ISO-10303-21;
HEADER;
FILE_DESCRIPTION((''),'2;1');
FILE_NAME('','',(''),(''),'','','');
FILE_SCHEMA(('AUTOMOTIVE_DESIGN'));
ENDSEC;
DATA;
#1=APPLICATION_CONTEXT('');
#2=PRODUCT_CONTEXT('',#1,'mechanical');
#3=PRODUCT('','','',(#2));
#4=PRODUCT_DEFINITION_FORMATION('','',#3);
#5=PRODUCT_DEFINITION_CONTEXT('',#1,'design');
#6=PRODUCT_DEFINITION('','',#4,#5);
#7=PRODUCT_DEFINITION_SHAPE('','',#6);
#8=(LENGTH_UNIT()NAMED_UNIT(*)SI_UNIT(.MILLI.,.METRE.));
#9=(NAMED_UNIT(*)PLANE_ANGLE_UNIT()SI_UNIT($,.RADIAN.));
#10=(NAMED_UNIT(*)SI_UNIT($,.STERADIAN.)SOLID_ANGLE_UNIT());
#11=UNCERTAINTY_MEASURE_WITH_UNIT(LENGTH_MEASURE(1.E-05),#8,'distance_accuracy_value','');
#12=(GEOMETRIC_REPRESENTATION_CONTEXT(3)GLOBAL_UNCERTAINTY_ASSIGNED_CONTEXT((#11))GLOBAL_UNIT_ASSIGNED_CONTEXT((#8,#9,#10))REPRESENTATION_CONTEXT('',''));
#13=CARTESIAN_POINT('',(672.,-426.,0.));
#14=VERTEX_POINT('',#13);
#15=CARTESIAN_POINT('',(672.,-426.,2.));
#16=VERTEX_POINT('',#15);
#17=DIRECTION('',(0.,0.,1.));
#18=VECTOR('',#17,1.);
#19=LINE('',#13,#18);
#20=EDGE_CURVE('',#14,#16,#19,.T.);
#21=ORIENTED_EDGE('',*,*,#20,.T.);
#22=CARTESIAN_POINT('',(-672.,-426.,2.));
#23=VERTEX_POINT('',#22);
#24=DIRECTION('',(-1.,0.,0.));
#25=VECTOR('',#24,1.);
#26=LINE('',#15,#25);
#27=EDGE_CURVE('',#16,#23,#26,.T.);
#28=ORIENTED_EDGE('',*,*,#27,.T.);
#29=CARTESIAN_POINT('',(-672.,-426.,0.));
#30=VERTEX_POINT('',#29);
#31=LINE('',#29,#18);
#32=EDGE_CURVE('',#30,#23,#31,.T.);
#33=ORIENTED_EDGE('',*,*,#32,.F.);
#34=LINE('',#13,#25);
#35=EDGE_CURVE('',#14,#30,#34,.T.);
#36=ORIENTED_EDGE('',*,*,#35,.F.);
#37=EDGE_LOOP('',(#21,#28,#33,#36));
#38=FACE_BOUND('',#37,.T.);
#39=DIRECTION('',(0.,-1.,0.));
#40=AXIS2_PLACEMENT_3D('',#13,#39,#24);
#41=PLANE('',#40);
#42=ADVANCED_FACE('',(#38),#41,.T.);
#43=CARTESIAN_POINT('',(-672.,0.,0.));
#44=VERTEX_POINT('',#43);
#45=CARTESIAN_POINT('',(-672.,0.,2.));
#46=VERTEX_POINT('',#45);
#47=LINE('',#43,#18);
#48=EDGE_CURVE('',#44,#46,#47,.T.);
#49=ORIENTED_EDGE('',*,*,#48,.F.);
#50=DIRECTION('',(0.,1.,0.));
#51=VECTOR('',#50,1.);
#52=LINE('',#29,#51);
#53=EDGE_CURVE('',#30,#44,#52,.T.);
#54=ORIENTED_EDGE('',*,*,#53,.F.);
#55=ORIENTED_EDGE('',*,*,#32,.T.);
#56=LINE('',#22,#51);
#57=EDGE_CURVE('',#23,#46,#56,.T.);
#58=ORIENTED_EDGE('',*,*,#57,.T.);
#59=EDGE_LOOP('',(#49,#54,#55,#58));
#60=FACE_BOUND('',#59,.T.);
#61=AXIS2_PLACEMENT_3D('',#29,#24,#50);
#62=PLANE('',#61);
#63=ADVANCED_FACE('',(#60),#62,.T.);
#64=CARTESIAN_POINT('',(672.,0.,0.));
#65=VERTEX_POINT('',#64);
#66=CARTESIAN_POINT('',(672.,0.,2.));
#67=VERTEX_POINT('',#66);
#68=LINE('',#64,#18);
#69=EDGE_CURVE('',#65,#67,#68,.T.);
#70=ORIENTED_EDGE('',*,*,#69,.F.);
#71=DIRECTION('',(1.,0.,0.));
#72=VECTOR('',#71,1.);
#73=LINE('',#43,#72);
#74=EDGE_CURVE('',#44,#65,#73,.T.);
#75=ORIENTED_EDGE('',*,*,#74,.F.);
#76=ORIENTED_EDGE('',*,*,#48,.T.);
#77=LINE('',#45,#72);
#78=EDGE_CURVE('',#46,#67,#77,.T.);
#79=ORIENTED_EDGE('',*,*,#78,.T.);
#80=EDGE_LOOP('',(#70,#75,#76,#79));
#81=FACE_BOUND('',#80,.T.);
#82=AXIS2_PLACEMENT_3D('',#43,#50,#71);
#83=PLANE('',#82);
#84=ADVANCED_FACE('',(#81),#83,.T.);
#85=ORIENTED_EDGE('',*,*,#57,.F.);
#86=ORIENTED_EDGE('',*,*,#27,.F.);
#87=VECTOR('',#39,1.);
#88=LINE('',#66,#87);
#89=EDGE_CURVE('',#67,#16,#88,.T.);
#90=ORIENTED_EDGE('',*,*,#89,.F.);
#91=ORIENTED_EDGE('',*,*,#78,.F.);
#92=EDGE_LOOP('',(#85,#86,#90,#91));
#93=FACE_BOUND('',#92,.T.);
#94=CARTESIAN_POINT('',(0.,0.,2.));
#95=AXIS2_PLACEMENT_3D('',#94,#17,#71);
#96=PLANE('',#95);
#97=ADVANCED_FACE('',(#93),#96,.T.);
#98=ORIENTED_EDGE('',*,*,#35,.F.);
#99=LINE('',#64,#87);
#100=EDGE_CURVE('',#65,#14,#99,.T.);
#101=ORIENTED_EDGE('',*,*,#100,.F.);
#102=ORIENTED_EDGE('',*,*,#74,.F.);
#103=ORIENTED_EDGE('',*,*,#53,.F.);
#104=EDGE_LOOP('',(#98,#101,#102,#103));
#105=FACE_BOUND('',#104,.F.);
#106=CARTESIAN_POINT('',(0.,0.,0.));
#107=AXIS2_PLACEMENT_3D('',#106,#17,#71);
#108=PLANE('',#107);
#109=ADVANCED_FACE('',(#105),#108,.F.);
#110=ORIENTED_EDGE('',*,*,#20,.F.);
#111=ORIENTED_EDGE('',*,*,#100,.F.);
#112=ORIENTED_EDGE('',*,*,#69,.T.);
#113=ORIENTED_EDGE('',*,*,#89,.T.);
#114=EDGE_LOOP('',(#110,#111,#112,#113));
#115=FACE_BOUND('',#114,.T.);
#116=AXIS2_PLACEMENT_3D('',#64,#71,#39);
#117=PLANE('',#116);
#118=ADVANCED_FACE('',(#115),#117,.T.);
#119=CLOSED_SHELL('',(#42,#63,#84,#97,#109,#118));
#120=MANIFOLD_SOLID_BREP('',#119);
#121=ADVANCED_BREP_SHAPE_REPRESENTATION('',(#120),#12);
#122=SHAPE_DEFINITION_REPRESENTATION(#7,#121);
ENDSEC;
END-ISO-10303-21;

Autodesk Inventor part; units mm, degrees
ref_plane "YZ Plane" through (0, 0, 0) normal (1, 0, 0) x (0, 1, 0)
ref_plane "XZ Plane" through (0, 0, 0) normal (0, 1, 0) x (-1, 0, 0)
ref_plane "XY Plane" through (0, 0, 0) normal (0, 0, 1) x (1, 0, 0)
sketch "Sketch1" plane through (0, 0, 0) normal (0, 0, 1) x (1, 0, 0)
  line L0 (-672, 0) -> (672, 0)
  line L1 (672, 0) -> (672, -426)
  line L2 (672, -426) -> (-672, -426)
  line L3 (-672, -426) -> (-672, 0)
  point P0 (0, 0)
  point P1 (0, 0)
  dimension "d0" = 1344
  dimension "d1" = 426
extrude "Plate1" add sketch "Sketch1" along normal blind 2
equation "\"d2\" = Thickness"
equation "\"BendReliefWidth\" = Thickness"
equation "\"BendReliefDepth\" = 0.5 * Thickness"
equation "\"CornerReliefSize\" = 4 * Thickness"
equation "\"MinimumRemnant\" = 2 * Thickness"
equation "\"TransitionRadius\" = BendRadius"
equation "\"JacobiRadiusSize\" = BendRadius"
equation "\"GapSize\" = Thickness"
equation "\"Thickness\" = 2"
equation "\"BendRadius\" = 2.75"
properties part number "MSC 075 face 6" material "Stainless Steel"
